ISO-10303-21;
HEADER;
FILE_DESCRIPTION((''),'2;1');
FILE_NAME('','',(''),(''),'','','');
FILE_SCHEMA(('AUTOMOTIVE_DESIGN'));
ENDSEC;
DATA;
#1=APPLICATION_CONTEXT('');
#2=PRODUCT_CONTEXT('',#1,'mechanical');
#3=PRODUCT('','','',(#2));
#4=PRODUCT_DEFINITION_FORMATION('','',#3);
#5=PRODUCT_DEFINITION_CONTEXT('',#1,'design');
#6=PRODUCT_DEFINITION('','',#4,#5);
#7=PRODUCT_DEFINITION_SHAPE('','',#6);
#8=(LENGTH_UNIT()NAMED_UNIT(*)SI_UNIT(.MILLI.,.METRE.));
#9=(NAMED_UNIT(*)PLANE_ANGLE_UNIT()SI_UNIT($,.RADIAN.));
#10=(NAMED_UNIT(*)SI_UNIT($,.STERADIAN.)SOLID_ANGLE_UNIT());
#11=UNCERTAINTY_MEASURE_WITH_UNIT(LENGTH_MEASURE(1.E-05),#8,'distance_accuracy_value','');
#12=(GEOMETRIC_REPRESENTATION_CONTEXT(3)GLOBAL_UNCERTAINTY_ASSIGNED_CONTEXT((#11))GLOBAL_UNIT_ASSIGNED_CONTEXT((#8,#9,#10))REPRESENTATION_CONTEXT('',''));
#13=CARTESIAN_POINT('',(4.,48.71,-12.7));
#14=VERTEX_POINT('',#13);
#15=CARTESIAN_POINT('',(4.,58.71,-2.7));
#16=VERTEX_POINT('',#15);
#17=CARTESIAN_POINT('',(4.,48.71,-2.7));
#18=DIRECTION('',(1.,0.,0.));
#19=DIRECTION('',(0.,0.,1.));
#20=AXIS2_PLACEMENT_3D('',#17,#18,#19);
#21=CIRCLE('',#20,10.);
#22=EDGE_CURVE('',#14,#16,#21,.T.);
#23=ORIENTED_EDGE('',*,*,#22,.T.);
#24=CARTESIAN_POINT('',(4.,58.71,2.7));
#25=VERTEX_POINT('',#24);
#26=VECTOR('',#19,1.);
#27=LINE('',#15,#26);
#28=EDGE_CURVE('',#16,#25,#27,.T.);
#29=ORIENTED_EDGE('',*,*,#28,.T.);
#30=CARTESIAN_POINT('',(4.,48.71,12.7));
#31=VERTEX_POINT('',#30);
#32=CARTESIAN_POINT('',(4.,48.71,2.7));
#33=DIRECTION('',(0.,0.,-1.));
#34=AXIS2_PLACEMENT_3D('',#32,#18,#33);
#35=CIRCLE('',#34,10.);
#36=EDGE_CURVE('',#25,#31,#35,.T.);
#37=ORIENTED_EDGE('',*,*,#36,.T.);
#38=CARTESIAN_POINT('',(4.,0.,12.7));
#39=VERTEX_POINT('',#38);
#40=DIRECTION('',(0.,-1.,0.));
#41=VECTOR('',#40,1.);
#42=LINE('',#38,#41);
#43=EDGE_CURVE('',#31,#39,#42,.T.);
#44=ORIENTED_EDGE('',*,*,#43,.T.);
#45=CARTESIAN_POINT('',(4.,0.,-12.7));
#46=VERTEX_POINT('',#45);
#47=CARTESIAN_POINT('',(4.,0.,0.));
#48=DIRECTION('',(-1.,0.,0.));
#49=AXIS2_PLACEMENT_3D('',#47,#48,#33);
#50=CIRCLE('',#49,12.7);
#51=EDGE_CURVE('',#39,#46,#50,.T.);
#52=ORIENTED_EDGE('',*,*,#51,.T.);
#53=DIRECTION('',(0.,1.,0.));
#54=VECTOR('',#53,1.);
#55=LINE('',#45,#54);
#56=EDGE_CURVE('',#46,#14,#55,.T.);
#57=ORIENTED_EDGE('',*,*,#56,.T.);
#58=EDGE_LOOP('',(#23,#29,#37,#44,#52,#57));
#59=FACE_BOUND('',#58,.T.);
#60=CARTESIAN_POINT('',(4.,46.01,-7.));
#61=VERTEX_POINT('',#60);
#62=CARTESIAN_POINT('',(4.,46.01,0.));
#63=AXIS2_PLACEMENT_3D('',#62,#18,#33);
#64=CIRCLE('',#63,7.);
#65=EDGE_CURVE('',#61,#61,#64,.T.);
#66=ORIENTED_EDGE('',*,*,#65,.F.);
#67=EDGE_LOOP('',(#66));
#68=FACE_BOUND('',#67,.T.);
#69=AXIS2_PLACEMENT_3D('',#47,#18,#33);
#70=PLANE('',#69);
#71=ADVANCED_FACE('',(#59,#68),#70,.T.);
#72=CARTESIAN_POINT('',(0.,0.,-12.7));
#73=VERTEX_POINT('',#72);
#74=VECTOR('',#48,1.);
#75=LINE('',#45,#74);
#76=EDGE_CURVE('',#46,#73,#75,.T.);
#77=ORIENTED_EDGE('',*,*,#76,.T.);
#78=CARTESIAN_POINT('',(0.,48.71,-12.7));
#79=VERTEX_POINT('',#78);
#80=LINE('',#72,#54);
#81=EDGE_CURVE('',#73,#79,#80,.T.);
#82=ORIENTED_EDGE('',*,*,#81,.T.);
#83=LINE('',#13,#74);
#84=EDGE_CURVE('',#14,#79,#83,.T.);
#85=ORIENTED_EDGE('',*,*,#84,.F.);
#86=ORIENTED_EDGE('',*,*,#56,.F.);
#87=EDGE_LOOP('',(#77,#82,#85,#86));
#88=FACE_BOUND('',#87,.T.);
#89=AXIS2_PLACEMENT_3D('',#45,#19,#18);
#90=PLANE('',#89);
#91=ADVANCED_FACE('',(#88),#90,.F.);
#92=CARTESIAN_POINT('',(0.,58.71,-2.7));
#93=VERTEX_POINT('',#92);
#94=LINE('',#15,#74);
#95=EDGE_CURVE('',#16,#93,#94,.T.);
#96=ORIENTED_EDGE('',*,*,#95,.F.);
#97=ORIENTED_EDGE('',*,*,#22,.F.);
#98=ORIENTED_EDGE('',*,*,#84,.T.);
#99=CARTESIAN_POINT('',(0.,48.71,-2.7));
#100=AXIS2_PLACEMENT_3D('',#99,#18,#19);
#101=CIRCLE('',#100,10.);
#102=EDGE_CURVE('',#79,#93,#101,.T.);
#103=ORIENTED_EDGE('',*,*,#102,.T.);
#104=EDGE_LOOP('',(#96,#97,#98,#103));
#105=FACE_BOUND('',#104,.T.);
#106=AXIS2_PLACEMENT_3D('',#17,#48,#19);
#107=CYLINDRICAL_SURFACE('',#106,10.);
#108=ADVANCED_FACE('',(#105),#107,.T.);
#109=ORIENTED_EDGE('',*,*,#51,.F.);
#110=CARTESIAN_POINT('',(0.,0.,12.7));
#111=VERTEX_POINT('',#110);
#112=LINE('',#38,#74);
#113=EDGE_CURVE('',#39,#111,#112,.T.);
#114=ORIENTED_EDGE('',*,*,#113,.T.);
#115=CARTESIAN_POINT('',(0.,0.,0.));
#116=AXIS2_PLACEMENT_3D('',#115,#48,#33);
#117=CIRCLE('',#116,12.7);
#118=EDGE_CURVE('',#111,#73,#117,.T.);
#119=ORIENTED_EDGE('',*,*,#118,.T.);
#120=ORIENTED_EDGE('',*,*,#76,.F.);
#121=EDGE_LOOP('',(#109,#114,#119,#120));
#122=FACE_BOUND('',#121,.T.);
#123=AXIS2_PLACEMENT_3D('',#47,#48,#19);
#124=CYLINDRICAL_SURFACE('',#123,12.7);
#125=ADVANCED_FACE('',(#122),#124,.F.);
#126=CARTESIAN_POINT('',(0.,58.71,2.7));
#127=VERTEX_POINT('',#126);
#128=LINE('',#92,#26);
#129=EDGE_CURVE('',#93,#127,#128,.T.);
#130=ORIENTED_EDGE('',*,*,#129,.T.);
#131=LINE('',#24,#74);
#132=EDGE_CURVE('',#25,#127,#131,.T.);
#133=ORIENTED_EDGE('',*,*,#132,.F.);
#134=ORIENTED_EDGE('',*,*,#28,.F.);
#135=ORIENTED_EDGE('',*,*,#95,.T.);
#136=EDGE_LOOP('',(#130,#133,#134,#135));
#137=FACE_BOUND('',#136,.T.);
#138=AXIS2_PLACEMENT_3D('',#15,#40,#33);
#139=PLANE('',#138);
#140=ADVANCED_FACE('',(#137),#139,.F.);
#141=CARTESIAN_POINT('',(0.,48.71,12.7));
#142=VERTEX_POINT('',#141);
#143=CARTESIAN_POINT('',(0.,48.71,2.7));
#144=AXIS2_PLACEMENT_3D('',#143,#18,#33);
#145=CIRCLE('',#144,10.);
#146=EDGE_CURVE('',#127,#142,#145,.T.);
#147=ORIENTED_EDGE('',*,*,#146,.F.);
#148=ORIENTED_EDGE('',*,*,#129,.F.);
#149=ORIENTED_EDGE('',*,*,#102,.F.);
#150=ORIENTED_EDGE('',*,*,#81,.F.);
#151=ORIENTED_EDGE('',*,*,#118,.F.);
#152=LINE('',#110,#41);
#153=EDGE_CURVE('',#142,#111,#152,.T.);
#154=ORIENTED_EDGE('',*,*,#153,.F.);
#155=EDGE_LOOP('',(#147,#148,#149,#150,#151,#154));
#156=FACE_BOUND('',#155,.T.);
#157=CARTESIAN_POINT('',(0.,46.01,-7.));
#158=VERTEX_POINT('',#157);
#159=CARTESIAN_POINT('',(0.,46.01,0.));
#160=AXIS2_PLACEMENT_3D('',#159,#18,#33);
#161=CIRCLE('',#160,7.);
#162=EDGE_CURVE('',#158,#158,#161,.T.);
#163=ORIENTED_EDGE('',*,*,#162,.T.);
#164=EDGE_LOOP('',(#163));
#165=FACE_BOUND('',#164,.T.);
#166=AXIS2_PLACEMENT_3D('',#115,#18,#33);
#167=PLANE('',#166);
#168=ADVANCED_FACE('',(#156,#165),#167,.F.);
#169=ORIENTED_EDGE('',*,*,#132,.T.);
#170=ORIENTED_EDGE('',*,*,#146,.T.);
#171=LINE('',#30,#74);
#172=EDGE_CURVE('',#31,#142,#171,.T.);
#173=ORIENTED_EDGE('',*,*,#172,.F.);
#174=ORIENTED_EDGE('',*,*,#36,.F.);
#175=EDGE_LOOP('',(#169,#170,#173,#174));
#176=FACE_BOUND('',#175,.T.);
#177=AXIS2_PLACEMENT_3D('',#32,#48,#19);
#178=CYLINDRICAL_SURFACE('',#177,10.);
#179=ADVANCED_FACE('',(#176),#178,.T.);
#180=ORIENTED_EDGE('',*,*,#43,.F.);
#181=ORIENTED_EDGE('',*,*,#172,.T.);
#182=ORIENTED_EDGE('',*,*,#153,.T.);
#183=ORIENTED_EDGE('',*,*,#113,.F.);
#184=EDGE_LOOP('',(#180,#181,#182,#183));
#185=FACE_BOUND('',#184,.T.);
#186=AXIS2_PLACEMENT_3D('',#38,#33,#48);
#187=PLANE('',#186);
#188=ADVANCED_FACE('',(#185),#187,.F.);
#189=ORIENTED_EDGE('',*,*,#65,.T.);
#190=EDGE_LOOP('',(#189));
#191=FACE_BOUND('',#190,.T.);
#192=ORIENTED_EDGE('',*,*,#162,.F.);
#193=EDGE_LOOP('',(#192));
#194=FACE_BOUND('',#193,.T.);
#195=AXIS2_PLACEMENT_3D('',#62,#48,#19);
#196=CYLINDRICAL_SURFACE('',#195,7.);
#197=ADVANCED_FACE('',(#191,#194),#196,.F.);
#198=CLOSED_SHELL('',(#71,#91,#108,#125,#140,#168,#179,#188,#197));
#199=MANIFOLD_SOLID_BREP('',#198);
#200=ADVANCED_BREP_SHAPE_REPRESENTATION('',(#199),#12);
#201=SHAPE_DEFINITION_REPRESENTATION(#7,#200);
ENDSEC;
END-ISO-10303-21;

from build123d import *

# Parameters (mm, degrees)
SKETCH1_R           = 7
BOSS_EXTRUDE1_DEPTH = 4


with BuildPart() as part:
    # Sketch1 → Boss-Extrude1 (new body)
    with BuildSketch(Plane(origin=(0, 0, 0), x_dir=(0, 0, -1), z_dir=(1, 0, 0))):
        with BuildLine():
            Line((-12.7, 0), (-12.7, 48.71))
            ThreePointArc((-12.7, 48.71), (-9.771067812, 55.781067812), (-2.7, 58.71))
            Line((-2.7, 58.71), (2.7, 58.71))
            ThreePointArc((2.7, 58.71), (9.771067812, 55.781067812), (12.7, 48.71))
            Line((12.7, 48.71), (12.7, 0))
            ThreePointArc((12.7, 0), (0, 12.7), (-12.7, 0))
        make_face()
        with Locations((0, 46.01)):
            Circle(SKETCH1_R, mode=Mode.SUBTRACT)
    extrude(amount=BOSS_EXTRUDE1_DEPTH)


solid = part.part
